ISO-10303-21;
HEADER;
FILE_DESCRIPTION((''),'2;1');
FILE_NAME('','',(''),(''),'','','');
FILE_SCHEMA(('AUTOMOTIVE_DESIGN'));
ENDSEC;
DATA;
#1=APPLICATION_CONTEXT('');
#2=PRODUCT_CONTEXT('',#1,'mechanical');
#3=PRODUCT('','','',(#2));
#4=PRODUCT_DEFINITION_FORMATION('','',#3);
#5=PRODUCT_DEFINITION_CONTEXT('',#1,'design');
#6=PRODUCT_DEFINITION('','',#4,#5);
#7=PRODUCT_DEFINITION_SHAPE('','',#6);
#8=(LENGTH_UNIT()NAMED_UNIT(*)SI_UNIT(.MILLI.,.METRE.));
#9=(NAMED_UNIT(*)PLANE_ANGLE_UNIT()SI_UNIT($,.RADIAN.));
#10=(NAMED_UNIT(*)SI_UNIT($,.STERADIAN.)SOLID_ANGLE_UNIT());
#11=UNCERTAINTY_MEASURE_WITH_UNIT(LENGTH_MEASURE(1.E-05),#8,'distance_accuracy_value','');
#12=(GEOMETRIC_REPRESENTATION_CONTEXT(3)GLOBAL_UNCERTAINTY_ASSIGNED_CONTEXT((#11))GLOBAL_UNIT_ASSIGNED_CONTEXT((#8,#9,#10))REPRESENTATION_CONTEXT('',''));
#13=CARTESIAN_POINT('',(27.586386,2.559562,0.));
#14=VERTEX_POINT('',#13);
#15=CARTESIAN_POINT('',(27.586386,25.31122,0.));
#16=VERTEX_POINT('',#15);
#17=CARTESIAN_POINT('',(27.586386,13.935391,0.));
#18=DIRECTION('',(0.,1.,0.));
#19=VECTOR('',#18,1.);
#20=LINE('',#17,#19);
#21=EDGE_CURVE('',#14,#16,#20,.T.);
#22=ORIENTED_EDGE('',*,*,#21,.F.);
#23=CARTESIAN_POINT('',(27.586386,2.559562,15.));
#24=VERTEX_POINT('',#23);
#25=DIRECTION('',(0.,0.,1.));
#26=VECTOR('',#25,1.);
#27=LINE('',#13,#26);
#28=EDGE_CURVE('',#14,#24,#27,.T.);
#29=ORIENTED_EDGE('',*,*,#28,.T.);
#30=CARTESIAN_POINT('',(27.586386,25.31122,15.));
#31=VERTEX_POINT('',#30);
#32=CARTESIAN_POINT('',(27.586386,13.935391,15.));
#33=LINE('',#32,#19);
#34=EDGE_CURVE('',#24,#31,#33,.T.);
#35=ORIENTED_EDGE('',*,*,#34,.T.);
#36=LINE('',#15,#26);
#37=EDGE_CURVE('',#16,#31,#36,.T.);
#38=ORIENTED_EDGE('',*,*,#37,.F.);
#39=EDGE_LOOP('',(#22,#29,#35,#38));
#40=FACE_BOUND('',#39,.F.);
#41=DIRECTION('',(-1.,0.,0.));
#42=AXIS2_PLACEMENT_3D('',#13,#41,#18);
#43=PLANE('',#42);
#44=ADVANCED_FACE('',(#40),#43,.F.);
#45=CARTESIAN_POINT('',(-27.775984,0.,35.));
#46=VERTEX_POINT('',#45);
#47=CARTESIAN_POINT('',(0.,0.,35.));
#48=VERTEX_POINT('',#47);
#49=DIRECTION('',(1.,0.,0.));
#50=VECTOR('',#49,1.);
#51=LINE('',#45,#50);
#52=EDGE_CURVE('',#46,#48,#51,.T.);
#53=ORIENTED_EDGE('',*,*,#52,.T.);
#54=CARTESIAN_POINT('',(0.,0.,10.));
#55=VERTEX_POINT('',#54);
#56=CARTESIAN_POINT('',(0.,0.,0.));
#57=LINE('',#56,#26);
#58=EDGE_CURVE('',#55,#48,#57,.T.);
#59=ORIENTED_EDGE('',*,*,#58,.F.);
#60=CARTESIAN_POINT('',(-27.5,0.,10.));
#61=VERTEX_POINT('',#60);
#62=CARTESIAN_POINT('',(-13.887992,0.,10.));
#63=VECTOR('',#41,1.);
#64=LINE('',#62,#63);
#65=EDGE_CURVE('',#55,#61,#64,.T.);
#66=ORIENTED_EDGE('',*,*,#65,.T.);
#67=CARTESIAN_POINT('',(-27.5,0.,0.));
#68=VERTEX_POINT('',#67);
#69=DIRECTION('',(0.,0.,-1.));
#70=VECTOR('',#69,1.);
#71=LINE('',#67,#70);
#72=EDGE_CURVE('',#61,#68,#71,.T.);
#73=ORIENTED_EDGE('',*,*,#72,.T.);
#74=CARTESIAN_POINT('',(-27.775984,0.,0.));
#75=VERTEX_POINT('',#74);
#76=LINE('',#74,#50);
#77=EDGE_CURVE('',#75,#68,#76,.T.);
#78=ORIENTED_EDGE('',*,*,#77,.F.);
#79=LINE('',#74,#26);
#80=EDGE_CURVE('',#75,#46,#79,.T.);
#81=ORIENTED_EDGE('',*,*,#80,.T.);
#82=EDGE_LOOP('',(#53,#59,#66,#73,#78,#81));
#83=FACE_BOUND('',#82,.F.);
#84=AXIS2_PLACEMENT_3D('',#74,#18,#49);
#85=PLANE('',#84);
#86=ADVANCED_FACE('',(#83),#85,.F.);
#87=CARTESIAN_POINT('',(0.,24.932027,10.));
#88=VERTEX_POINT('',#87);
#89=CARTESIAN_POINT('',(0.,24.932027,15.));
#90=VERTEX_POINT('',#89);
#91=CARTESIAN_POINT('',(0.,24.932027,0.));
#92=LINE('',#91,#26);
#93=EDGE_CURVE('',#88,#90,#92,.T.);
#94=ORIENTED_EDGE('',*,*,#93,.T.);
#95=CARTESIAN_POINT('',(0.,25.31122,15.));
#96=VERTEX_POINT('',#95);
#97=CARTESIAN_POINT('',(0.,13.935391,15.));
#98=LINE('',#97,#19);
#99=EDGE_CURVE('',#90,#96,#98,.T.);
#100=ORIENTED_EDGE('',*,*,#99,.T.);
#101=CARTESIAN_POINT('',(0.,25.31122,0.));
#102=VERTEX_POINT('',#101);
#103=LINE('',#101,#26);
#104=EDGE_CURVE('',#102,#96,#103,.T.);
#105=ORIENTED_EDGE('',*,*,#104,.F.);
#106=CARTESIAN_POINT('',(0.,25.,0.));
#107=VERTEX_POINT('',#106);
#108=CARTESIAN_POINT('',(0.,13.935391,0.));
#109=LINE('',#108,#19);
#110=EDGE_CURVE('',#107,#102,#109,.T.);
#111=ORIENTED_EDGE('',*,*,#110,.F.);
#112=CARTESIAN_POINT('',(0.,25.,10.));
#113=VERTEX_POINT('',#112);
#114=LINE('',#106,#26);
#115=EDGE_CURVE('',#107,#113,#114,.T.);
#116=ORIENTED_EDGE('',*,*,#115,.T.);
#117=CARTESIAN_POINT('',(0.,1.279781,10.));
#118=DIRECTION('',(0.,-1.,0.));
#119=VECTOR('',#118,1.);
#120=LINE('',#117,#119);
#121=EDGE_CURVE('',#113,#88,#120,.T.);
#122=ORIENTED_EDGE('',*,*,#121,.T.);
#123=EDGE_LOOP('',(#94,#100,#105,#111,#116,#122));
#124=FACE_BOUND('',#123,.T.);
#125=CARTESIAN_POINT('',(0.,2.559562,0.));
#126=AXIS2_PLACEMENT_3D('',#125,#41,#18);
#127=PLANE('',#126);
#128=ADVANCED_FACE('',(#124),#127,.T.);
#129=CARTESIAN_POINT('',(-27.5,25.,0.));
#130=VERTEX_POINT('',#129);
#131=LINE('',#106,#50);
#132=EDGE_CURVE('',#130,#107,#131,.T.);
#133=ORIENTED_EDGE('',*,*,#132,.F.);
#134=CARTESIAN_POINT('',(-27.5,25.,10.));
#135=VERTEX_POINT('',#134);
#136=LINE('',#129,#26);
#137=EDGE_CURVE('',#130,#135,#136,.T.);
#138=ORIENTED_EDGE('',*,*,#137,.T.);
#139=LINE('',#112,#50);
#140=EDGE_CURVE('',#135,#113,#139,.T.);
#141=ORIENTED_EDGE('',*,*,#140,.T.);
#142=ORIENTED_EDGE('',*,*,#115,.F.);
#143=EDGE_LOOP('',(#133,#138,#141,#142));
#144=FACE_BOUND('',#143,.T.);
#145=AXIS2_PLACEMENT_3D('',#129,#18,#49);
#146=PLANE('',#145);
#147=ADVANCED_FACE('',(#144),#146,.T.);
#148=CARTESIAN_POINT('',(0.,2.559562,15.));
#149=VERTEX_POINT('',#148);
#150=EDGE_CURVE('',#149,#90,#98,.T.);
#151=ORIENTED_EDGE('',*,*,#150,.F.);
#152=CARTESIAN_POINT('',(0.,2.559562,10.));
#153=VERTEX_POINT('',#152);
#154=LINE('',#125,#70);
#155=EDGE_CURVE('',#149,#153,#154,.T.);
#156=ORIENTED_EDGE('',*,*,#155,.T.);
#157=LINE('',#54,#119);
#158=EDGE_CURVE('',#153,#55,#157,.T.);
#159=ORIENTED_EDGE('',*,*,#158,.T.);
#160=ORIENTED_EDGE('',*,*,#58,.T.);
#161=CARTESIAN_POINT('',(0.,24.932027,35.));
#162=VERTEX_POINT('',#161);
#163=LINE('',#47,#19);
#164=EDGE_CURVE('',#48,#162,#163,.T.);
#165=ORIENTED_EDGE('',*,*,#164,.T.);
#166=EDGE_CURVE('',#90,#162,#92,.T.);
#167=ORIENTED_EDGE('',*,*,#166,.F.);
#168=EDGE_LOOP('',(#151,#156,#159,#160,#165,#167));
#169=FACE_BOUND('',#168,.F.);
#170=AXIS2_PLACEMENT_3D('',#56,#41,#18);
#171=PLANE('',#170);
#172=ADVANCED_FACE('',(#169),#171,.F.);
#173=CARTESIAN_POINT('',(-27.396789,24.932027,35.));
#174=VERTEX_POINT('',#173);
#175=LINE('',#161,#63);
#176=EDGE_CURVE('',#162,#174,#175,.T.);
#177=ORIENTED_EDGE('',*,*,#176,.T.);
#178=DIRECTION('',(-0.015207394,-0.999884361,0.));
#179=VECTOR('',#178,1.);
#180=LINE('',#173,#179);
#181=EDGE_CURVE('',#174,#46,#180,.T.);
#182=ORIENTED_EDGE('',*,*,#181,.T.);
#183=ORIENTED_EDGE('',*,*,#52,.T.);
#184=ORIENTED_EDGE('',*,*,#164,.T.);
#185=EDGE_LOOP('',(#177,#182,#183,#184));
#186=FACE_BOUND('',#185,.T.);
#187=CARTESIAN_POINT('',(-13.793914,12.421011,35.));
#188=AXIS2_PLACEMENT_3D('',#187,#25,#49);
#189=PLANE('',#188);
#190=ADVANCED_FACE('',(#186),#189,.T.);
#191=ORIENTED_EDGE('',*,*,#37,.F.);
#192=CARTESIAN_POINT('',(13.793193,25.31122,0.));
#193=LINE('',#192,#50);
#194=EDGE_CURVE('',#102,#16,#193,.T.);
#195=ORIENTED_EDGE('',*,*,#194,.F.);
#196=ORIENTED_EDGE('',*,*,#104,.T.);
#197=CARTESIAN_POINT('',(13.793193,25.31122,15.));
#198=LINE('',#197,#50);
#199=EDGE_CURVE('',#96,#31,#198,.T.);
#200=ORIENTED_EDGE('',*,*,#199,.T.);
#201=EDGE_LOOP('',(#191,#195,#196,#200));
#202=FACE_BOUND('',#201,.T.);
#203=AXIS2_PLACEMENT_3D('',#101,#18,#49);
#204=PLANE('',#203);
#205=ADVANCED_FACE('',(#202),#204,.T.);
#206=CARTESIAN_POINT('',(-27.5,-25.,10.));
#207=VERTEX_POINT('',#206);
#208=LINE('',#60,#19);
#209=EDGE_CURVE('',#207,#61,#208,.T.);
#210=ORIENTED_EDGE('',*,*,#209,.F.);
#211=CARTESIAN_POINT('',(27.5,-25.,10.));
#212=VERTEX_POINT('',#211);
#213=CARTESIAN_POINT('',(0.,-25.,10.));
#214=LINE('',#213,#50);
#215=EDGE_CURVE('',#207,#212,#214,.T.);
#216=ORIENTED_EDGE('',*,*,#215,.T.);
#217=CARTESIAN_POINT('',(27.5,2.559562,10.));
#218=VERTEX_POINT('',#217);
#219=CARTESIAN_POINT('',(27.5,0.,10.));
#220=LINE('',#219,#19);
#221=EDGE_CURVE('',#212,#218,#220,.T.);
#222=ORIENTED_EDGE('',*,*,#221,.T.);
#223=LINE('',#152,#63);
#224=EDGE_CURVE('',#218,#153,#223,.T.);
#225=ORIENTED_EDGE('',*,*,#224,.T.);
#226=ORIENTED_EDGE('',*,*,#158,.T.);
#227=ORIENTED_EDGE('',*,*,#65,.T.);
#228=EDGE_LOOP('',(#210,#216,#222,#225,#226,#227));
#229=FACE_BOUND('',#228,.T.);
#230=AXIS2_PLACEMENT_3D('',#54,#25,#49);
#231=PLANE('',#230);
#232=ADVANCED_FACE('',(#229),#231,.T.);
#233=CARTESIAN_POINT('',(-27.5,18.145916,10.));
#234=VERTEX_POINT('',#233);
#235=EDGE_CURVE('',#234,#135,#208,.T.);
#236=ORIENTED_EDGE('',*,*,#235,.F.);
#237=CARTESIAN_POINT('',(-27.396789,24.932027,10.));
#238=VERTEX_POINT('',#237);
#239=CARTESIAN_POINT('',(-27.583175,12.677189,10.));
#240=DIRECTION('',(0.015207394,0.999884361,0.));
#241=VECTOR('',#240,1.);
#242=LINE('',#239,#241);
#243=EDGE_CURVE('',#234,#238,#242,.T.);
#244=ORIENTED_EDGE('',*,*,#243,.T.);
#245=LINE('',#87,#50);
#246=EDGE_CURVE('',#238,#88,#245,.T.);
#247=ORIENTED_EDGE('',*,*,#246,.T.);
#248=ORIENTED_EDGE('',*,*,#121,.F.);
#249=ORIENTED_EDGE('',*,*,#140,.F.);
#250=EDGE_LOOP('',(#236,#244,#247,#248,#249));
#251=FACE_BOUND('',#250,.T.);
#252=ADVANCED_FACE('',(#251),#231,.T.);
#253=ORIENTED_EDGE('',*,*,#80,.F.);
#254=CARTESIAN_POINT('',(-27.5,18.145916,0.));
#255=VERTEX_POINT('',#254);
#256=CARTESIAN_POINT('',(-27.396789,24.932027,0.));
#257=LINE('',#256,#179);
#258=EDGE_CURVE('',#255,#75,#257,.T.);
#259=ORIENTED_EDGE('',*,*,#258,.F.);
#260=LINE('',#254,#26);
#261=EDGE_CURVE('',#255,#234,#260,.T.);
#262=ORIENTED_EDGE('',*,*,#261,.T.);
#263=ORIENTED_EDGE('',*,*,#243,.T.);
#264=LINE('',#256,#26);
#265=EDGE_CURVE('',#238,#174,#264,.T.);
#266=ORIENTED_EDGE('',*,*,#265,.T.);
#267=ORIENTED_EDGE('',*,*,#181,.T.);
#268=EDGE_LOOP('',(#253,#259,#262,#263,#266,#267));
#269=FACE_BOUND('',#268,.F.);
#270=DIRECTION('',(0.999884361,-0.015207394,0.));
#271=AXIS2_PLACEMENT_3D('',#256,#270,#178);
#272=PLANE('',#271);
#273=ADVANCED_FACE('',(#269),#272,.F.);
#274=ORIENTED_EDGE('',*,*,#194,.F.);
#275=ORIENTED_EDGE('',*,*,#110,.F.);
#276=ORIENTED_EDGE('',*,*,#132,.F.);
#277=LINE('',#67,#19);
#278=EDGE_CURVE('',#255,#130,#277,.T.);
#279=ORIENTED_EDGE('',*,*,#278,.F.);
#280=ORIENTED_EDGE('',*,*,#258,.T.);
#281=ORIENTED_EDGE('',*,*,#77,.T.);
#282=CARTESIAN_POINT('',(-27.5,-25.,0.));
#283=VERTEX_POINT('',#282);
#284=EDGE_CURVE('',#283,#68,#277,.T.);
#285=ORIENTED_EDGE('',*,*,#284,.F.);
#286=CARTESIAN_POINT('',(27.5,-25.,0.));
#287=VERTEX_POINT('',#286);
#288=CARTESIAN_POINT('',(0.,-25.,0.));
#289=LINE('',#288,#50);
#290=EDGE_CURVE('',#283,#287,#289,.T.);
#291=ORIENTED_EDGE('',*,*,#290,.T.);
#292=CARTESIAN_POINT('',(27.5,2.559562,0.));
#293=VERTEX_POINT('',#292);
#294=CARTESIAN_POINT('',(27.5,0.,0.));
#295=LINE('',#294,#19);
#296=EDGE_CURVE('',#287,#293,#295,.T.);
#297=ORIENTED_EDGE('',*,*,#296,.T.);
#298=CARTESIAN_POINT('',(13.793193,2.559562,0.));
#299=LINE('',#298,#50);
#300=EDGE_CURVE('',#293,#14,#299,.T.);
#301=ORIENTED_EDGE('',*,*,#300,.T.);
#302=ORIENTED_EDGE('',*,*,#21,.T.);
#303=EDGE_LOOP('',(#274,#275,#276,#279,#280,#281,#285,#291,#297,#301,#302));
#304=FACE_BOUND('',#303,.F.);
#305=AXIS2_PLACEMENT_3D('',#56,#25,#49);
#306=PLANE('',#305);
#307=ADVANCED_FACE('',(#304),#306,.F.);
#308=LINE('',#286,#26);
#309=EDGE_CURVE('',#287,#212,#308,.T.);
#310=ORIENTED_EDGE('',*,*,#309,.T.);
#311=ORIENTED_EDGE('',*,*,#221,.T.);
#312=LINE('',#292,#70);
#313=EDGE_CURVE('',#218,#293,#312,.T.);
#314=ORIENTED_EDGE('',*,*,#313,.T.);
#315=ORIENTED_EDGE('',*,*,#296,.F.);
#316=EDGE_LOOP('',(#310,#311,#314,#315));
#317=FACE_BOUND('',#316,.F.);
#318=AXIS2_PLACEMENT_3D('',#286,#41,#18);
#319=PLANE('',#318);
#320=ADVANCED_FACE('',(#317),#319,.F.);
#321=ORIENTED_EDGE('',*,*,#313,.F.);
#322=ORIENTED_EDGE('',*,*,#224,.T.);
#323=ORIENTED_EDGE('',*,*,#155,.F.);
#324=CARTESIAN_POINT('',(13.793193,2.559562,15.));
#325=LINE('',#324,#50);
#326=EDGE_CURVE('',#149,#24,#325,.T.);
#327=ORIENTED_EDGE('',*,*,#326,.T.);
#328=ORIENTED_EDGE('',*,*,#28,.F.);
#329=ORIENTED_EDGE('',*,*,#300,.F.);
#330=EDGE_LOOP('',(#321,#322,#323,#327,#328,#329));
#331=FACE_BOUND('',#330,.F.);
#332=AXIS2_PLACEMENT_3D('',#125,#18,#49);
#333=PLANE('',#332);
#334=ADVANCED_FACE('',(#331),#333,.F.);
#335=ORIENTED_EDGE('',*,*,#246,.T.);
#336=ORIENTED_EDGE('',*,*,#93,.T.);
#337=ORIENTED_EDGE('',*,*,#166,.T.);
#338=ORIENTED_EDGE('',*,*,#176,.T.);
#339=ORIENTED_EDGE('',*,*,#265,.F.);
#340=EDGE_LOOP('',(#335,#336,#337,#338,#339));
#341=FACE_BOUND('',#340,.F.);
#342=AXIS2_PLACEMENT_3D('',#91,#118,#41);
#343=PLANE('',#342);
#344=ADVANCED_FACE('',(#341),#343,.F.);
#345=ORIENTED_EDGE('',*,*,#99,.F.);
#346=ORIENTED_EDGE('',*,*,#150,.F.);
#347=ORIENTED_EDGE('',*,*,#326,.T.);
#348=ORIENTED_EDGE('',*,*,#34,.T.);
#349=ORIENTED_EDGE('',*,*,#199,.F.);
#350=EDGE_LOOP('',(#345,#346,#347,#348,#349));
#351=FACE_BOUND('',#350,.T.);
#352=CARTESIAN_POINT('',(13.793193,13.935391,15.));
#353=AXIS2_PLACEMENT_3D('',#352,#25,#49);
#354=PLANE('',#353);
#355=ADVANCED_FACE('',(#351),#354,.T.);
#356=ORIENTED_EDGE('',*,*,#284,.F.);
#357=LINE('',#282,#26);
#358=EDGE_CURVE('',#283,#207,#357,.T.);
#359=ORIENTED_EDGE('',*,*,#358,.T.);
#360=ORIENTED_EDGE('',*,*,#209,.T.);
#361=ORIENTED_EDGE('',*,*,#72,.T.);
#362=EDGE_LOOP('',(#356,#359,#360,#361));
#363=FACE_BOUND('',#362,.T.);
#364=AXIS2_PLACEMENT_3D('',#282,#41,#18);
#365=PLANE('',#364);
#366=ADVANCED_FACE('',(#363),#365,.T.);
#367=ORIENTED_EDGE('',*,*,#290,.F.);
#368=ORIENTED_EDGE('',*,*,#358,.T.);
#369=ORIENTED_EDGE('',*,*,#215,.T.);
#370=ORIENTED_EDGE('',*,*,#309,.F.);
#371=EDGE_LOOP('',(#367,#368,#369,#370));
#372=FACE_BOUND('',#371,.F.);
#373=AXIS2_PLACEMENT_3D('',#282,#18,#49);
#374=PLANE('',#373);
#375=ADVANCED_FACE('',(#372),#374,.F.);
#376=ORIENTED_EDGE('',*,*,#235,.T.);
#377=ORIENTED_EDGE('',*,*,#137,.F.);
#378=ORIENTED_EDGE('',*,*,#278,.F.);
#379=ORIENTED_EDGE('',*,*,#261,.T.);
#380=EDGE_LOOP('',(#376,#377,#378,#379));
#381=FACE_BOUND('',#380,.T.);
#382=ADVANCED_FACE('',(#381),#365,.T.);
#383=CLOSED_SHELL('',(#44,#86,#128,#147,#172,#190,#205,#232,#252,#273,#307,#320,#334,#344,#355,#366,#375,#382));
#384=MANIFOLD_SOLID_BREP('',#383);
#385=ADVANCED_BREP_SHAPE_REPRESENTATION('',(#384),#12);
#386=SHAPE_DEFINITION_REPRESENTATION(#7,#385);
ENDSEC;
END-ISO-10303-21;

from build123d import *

# Parameters (mm, degrees)
F0_W     = 55
F0_H     = 50
F1_DEPTH = 10
F3_DEPTH = 35
F4_W     = 27.586387
F4_H     = 22.751658
F5_DEPTH = 15


with BuildPart() as f1:
    # F0 (on Top) → F1 (new body)
    with BuildSketch(Plane.XY):
        Rectangle(F0_W, F0_H)
    extrude(amount=F1_DEPTH)

    # F2 (on Top) → F3 (join)
    with BuildSketch(Plane.XY):
        Polygon((-27.396789, 24.932027), (-27.775984, 0), (0, 0), (0, 24.932027), align=None)
    extrude(amount=F3_DEPTH)

    # F4 (on Top) → F5 (join)
    with BuildSketch(Plane.XY):
        with Locations((13.793193, 13.935391)):
            Rectangle(F4_W, F4_H)
    extrude(amount=F5_DEPTH)


solid = f1.part
